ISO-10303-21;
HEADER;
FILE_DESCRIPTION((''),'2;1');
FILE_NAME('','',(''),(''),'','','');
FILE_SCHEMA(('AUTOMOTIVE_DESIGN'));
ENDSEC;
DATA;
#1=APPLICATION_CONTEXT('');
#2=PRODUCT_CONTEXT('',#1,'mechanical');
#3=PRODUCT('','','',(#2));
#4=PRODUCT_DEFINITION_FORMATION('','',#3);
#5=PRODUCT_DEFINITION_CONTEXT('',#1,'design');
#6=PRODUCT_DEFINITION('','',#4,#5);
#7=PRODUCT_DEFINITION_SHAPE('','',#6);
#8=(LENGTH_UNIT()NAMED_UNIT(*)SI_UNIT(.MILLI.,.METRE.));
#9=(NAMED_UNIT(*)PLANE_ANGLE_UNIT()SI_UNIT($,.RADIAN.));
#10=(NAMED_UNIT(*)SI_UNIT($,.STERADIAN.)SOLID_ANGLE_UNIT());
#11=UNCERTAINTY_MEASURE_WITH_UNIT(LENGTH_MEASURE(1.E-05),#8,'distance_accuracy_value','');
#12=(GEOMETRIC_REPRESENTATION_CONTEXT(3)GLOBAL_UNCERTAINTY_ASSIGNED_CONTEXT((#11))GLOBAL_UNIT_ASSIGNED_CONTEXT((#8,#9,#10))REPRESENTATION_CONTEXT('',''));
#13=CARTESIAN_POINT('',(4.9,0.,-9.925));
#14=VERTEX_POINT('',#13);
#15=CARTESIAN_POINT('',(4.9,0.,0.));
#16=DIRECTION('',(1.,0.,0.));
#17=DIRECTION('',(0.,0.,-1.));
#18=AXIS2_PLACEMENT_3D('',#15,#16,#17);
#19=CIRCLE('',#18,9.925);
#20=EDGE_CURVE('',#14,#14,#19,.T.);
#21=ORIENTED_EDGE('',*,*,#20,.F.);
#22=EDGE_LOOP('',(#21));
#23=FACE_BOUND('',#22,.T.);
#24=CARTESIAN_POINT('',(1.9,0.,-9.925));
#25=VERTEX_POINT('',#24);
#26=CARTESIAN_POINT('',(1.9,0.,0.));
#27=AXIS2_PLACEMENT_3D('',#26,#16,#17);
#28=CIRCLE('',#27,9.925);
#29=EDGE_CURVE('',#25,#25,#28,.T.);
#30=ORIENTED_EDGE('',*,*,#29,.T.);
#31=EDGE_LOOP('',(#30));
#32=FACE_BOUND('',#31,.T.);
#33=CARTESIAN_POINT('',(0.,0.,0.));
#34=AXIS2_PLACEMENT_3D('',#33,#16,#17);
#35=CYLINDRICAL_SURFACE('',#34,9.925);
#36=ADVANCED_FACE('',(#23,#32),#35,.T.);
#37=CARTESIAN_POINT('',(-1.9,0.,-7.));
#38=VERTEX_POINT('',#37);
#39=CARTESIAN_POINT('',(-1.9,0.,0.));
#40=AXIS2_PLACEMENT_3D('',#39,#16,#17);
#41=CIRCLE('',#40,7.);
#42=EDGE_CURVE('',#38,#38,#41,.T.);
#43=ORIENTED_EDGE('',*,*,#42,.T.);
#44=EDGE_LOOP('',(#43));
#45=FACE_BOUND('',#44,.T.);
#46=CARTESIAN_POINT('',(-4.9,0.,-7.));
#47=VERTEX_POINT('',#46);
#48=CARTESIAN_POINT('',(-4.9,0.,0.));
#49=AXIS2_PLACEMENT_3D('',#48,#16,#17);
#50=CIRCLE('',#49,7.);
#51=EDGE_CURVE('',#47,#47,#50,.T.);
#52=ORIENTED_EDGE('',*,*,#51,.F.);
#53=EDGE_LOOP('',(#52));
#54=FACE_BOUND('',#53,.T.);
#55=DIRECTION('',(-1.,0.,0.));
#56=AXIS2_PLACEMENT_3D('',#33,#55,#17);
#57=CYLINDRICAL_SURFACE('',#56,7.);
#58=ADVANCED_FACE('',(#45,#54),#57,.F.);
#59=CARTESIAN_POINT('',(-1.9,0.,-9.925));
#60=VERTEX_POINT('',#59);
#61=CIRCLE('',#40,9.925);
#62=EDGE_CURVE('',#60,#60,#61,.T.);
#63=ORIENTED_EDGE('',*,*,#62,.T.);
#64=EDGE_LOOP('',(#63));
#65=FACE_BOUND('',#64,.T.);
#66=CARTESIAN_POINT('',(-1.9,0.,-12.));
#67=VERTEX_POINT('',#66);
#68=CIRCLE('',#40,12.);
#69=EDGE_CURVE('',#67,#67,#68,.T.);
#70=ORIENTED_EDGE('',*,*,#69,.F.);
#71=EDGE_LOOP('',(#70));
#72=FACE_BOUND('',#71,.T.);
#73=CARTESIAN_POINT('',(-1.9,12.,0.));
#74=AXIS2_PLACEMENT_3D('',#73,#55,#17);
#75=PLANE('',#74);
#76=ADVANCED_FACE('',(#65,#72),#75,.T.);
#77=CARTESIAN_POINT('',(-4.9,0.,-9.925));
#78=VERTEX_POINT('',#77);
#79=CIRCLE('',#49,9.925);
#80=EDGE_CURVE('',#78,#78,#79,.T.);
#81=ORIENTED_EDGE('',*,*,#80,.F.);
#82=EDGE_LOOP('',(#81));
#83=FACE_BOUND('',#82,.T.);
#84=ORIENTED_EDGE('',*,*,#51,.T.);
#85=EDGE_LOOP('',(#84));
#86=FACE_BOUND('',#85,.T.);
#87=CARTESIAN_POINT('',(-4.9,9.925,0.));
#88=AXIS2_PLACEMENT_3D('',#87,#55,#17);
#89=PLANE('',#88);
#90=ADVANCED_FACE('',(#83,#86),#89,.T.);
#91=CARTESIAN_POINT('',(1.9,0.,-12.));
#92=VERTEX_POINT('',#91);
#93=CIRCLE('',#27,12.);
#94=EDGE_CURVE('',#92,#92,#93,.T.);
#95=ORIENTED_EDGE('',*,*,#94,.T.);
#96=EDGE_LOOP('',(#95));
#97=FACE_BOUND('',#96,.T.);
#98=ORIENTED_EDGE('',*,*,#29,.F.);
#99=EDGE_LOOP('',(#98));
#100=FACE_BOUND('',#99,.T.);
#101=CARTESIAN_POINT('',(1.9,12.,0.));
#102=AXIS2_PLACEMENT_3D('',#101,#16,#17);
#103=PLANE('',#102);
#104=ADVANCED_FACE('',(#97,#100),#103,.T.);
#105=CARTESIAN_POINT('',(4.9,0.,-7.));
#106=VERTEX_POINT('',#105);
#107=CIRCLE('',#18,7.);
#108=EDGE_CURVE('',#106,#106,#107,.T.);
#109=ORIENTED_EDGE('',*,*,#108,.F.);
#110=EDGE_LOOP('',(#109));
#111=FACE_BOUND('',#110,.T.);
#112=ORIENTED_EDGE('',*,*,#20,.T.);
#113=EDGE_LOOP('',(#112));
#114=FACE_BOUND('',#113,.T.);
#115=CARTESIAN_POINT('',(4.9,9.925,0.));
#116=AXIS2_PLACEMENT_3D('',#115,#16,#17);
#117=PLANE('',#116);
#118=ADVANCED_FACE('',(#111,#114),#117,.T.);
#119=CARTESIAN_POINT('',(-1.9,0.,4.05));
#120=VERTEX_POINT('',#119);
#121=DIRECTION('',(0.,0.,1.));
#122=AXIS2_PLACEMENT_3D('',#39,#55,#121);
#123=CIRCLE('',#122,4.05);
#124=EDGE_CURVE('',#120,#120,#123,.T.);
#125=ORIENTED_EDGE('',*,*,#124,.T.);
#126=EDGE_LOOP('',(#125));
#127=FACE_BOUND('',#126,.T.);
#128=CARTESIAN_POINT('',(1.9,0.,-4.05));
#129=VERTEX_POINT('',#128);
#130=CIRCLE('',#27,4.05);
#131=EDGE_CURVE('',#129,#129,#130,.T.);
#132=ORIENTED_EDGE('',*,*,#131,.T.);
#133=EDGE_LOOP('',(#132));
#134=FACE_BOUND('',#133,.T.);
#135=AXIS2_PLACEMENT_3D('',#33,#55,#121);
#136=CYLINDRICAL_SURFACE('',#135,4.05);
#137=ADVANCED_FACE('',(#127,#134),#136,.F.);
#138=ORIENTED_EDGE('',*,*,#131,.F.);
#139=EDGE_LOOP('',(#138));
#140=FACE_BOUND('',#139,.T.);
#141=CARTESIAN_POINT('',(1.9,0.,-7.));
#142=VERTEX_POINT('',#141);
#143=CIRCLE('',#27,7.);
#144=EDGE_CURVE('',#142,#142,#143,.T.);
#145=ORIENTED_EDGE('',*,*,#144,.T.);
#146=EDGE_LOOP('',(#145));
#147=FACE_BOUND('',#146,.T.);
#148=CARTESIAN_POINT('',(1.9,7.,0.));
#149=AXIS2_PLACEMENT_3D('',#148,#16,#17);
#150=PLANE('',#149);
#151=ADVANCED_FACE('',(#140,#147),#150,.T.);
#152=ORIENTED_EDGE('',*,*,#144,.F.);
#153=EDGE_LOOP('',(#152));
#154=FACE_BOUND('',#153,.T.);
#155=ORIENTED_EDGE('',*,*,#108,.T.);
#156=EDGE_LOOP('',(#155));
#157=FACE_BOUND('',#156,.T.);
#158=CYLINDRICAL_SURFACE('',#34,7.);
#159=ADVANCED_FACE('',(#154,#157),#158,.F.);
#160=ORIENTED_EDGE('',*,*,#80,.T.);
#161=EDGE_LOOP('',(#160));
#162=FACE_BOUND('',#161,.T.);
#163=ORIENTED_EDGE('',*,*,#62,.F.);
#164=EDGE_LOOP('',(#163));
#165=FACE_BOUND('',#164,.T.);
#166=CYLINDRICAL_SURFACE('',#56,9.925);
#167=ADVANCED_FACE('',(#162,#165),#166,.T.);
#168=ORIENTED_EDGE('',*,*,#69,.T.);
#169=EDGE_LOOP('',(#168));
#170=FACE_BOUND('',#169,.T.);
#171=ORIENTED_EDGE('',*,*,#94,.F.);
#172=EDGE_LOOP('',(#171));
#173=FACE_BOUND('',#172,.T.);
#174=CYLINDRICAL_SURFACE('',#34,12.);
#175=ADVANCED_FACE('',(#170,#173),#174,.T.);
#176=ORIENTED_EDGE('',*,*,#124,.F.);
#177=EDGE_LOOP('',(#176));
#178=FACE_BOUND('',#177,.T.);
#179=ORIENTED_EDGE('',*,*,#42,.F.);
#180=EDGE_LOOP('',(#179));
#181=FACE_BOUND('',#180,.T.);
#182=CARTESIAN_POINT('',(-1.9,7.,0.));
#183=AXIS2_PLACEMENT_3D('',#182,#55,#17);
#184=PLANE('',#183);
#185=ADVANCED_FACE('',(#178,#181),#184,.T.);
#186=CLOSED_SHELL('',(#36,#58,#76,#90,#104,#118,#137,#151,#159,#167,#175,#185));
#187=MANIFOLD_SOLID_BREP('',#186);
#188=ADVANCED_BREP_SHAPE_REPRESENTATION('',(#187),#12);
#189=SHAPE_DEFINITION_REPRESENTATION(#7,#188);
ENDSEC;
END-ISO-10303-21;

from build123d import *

# Parameters (mm, degrees)
F_8_1_8_1_DURCHMESSER_BOHRUNG1_D = 8.1


with BuildPart() as part:
    # Skizze1 → Rotation1 (revolve)
    with BuildSketch(Plane.XY, mode=Mode.PRIVATE) as rotation1_sk:
        Polygon((0, 0), (0, 12), (1.9, 12), (1.9, 9.925), (4.9, 9.925), (4.9, 7), (1.9, 7), (1.9, 0), align=None)
    rotation1 = revolve(rotation1_sk.sketch.rotate(Axis((0, 0, 0), (-1, 0, 0)), 90), axis=Axis((0, 0, 0), (-1, 0, 0)))

    # Ø8.1 (8.1) Durchmesser Bohrung1 (through all)
    with Locations(Plane.ZY):
        with Locations((0, 0)):
            f_8_1_8_1_durchmesser_bohrung1 = Hole(F_8_1_8_1_DURCHMESSER_BOHRUNG1_D / 2)

    # Spiegeln1: Rotation1, Ø8.1 (8.1) Durchmesser Bohrung1 across plane
    add(rotation1.mirror(Plane(origin=(0, 0, 0), x_dir=(0, 0, 1), z_dir=(1, 0, 0))))
    add(f_8_1_8_1_durchmesser_bohrung1.mirror(Plane(origin=(0, 0, 0), x_dir=(0, 0, 1), z_dir=(1, 0, 0))), mode=Mode.SUBTRACT)


solid = part.part
